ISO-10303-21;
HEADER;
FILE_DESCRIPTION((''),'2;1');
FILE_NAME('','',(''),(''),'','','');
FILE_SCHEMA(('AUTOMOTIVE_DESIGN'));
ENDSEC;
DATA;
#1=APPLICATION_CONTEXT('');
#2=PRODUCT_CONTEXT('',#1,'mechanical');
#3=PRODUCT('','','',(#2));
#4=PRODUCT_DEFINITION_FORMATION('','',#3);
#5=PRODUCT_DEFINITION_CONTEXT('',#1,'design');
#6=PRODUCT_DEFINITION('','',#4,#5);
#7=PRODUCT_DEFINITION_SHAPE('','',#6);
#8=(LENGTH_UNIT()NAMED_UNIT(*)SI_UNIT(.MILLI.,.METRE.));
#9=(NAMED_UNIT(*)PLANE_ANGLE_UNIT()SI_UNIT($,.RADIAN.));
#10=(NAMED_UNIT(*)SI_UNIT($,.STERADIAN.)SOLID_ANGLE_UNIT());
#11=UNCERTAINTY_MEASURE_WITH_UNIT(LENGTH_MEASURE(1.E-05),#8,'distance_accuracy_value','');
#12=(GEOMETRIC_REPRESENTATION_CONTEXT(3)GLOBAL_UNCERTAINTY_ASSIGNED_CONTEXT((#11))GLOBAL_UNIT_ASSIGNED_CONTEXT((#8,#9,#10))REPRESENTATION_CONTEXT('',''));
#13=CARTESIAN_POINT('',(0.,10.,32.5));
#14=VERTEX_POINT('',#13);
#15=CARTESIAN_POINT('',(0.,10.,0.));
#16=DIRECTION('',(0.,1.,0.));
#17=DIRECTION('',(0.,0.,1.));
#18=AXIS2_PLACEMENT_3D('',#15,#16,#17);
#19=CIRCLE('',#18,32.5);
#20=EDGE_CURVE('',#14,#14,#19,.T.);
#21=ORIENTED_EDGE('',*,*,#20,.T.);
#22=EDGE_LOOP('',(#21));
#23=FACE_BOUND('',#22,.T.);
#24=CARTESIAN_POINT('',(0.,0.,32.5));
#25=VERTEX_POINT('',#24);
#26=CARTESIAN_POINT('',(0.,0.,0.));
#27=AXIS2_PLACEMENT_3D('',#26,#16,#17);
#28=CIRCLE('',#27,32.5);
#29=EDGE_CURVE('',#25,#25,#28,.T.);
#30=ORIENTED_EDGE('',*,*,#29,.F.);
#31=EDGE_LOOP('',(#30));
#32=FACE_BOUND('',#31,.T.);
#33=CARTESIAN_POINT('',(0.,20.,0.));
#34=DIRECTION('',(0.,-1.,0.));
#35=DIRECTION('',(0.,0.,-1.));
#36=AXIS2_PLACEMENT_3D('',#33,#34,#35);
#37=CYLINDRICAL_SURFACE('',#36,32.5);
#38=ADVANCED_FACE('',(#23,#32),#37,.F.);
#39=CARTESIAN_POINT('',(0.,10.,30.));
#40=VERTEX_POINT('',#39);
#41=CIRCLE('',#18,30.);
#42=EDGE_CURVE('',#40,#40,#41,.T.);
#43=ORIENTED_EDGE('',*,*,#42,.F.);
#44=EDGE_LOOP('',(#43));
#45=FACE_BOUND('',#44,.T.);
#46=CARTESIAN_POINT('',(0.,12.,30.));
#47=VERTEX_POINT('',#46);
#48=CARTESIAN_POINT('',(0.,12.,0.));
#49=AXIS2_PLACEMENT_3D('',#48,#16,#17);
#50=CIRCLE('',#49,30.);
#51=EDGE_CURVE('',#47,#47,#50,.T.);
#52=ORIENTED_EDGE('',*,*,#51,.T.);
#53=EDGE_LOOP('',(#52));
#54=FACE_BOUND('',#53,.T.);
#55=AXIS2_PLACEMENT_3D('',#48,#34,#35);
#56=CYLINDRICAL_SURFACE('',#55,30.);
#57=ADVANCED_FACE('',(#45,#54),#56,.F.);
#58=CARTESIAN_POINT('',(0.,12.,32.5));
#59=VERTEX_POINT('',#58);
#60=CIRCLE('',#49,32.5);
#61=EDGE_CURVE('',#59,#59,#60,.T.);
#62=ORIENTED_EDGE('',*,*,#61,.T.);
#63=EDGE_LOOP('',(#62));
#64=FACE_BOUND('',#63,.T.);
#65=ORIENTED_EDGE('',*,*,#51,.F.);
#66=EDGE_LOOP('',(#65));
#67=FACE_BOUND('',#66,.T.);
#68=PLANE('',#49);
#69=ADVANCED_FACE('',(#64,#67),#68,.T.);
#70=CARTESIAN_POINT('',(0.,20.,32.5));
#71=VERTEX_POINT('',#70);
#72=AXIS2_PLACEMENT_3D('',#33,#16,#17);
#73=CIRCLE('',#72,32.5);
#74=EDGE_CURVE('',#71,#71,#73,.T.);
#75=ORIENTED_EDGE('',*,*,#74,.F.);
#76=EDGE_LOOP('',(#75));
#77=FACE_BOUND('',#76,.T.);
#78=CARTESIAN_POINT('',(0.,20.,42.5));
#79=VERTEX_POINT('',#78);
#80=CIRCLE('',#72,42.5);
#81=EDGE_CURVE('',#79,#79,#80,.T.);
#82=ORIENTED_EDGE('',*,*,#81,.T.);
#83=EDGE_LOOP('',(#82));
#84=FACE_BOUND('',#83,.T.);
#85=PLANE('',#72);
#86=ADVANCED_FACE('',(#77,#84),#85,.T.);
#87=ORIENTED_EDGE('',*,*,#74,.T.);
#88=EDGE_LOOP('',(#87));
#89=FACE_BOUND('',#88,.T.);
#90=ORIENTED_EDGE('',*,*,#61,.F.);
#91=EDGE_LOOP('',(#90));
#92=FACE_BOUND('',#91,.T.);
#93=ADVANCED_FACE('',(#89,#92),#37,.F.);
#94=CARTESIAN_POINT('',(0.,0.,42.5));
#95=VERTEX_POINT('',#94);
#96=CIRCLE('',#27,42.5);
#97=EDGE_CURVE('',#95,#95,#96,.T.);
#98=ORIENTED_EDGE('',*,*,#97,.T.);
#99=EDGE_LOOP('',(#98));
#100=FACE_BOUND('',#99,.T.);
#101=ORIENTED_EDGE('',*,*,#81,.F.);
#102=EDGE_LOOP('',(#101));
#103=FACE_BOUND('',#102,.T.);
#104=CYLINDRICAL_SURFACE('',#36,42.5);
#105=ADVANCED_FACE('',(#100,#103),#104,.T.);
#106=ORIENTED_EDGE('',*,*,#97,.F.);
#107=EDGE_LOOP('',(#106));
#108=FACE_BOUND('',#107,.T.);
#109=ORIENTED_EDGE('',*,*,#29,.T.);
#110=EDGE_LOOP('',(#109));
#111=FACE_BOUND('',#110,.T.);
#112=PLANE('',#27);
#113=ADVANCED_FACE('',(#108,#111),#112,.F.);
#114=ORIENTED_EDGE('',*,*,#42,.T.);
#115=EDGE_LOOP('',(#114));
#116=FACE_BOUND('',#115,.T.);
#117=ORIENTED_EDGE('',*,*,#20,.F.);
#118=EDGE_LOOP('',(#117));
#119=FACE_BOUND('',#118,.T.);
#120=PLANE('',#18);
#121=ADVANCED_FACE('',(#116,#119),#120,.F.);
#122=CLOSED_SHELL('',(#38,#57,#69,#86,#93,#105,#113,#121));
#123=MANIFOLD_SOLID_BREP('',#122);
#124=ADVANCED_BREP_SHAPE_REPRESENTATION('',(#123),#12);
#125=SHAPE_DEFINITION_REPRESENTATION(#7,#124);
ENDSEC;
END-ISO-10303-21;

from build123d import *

# Parameters (mm, degrees)
SKETCH1_R           = 42.5
SKETCH1_R_2         = 32.5
BOSS_EXTRUDE1_DEPTH = 20
SKETCH2_R           = 33
SKETCH2_R_2         = 30
BOSS_EXTRUDE2_DEPTH = 2


with BuildPart() as part:
    # Sketch1 → Boss-Extrude1 (new body)
    with BuildSketch(Plane(origin=(0, 0, 0), x_dir=(1, 0, 0), z_dir=(0, 1, 0))):
        with Locations(Location((0, 0, 0), (0, 0, 270))):
            Circle(SKETCH1_R)
        with Locations(Location((0, 0, 0), (0, 0, 270))):
            Circle(SKETCH1_R_2, mode=Mode.SUBTRACT)
    extrude(amount=BOSS_EXTRUDE1_DEPTH)

    # Sketch2 → Boss-Extrude2 (add)
    with BuildSketch(Plane(origin=(0, 10, 0), x_dir=(1, 0, 0), z_dir=(0, 1, 0))):
        Circle(SKETCH2_R)
        with Locations(Location((0, 0, 0), (0, 0, 270))):
            Circle(SKETCH2_R_2, mode=Mode.SUBTRACT)
    extrude(amount=BOSS_EXTRUDE2_DEPTH)


solid = part.part
